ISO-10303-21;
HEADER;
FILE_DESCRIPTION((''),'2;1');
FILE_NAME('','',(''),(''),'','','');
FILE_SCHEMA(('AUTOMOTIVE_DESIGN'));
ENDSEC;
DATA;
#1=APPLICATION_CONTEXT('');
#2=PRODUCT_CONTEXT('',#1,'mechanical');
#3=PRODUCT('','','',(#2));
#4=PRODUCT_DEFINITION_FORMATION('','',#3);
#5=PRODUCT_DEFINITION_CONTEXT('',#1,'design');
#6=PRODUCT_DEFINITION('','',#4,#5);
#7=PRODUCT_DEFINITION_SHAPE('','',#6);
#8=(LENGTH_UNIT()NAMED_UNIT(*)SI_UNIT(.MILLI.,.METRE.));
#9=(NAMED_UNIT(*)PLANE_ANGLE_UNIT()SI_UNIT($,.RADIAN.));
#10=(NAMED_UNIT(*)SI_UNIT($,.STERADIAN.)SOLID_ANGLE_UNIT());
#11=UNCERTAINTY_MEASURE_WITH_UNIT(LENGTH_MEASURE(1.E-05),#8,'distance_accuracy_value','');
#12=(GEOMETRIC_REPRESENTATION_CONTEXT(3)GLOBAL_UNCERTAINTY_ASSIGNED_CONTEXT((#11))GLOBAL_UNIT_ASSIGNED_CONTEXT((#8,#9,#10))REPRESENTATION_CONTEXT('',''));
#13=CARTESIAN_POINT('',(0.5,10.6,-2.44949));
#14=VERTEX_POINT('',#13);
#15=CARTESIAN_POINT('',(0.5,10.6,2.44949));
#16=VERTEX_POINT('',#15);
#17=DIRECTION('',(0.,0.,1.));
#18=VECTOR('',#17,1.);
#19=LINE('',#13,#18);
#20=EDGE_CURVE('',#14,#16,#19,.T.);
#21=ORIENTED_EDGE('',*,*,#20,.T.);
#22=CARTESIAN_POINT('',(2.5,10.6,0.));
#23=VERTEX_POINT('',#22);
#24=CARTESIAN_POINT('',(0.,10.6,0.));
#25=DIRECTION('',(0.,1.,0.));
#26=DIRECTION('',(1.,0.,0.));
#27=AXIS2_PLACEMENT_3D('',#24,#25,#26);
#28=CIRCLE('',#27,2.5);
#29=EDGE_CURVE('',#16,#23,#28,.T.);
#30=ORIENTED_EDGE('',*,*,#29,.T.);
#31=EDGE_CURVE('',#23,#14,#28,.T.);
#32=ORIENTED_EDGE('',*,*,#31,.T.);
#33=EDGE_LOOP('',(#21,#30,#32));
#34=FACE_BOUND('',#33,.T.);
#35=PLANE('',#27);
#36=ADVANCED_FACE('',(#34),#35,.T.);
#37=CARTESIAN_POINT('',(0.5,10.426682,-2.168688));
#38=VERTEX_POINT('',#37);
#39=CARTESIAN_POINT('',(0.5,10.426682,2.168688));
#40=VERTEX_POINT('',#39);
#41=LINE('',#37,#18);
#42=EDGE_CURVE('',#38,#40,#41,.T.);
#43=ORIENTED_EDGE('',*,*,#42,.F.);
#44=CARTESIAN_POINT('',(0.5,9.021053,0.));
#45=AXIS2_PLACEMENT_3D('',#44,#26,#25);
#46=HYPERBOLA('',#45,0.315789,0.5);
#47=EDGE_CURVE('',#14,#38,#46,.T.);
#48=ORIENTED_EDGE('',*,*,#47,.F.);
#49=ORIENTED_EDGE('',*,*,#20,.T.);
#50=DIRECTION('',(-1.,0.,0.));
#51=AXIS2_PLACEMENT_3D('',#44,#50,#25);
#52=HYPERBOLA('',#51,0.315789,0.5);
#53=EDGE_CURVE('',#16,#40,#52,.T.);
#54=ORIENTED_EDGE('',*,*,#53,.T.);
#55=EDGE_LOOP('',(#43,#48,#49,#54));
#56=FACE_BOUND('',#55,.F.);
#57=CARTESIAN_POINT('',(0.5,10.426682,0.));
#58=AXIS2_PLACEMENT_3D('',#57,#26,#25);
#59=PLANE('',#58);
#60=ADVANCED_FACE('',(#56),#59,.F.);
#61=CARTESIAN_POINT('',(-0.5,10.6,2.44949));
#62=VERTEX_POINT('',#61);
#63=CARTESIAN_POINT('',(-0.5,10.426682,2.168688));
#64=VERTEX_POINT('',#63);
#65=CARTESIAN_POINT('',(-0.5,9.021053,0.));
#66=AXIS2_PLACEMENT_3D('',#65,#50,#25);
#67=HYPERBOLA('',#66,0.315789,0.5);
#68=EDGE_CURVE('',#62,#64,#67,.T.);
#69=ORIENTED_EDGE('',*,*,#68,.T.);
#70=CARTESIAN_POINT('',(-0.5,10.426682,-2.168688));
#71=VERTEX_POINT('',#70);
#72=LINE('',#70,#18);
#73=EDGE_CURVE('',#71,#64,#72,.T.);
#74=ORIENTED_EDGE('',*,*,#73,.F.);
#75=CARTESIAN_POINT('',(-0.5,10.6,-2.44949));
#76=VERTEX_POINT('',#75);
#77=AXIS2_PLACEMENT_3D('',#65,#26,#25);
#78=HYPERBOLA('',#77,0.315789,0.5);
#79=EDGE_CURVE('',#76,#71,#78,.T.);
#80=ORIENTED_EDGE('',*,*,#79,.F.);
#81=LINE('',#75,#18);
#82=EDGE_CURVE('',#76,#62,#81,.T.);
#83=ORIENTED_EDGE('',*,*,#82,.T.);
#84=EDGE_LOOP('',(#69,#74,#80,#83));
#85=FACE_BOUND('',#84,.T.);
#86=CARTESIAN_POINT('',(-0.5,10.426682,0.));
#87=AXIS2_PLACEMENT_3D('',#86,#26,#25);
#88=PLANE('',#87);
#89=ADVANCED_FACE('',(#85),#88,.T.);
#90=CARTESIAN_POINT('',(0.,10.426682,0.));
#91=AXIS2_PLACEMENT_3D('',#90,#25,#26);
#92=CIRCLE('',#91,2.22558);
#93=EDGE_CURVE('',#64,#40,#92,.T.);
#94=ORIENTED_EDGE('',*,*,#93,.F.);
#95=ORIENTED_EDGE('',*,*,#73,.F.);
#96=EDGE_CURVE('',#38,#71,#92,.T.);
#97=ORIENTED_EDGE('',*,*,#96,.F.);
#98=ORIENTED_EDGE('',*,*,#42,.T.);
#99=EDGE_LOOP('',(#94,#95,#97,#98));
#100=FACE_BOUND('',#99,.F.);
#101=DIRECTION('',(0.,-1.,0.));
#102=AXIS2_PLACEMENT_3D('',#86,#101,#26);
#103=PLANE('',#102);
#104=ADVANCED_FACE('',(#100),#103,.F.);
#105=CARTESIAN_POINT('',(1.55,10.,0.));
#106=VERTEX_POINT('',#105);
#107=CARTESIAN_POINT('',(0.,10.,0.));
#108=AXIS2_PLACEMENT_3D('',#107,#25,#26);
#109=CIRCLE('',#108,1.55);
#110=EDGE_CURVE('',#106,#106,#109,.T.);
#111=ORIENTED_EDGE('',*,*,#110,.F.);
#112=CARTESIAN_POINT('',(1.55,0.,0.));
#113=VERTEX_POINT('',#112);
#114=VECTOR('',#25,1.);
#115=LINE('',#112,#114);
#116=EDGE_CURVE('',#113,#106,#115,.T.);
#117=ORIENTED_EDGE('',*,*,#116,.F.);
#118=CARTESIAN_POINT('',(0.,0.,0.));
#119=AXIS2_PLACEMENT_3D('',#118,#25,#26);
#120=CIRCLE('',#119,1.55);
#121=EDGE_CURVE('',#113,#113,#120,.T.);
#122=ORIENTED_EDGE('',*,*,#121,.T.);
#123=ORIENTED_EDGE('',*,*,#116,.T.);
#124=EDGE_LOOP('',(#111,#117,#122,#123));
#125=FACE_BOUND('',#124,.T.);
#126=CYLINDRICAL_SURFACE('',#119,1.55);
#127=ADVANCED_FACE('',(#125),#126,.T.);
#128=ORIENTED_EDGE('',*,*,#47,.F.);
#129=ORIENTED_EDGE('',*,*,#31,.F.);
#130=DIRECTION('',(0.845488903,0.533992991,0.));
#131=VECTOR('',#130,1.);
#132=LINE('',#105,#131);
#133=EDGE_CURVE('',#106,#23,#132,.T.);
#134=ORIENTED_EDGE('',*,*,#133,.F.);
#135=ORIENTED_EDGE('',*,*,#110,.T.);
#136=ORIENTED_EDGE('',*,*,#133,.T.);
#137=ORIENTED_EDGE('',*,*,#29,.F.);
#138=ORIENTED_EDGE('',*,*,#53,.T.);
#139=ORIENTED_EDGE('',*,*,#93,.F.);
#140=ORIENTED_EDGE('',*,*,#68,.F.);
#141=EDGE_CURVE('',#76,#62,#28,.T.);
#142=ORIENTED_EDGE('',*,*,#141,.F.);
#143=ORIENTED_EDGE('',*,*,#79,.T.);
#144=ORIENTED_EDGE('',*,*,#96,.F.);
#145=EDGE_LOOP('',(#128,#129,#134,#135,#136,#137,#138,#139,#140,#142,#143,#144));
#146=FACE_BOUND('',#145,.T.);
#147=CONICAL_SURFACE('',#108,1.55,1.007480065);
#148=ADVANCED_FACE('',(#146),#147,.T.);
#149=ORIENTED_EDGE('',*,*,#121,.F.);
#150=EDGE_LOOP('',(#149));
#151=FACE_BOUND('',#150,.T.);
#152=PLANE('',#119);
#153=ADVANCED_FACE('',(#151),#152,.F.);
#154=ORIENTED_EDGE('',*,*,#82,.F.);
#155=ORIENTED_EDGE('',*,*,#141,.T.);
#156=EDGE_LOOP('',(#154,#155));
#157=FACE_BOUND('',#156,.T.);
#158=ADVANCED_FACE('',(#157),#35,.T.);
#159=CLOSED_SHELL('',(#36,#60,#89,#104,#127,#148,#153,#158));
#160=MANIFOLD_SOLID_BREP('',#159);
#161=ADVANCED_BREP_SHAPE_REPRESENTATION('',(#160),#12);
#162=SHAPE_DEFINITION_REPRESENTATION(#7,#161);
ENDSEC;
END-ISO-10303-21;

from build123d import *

# Parameters (mm, degrees)
SKETCH2_W               = 1
SKETCH2_H               = 0.346635712
CUT_EXTRUDE1_DEPTH      = 3.5
CUT_EXTRUDE1_DEPTH_BACK = 3.5


with BuildPart() as part:
    # Sketch1 → Revolve1 (revolve)
    with BuildSketch(Plane.XY):
        Polygon((0, 0), (1.55, 0), (1.55, 10), (2.5, 10.6), (0, 10.6), align=None)
    revolve(axis=Axis((0, 0, 0), (0, 1, 0)))

    # Sketch2 → Cut-Extrude1 (cut, two sides)
    with BuildSketch(Plane.XY) as cut_extrude1_sk:
        with Locations((0, 10.6)):
            Rectangle(SKETCH2_W, SKETCH2_H)
    extrude(amount=CUT_EXTRUDE1_DEPTH, mode=Mode.SUBTRACT)
    extrude(cut_extrude1_sk.sketch, amount=-CUT_EXTRUDE1_DEPTH_BACK, mode=Mode.SUBTRACT)


solid = part.part
